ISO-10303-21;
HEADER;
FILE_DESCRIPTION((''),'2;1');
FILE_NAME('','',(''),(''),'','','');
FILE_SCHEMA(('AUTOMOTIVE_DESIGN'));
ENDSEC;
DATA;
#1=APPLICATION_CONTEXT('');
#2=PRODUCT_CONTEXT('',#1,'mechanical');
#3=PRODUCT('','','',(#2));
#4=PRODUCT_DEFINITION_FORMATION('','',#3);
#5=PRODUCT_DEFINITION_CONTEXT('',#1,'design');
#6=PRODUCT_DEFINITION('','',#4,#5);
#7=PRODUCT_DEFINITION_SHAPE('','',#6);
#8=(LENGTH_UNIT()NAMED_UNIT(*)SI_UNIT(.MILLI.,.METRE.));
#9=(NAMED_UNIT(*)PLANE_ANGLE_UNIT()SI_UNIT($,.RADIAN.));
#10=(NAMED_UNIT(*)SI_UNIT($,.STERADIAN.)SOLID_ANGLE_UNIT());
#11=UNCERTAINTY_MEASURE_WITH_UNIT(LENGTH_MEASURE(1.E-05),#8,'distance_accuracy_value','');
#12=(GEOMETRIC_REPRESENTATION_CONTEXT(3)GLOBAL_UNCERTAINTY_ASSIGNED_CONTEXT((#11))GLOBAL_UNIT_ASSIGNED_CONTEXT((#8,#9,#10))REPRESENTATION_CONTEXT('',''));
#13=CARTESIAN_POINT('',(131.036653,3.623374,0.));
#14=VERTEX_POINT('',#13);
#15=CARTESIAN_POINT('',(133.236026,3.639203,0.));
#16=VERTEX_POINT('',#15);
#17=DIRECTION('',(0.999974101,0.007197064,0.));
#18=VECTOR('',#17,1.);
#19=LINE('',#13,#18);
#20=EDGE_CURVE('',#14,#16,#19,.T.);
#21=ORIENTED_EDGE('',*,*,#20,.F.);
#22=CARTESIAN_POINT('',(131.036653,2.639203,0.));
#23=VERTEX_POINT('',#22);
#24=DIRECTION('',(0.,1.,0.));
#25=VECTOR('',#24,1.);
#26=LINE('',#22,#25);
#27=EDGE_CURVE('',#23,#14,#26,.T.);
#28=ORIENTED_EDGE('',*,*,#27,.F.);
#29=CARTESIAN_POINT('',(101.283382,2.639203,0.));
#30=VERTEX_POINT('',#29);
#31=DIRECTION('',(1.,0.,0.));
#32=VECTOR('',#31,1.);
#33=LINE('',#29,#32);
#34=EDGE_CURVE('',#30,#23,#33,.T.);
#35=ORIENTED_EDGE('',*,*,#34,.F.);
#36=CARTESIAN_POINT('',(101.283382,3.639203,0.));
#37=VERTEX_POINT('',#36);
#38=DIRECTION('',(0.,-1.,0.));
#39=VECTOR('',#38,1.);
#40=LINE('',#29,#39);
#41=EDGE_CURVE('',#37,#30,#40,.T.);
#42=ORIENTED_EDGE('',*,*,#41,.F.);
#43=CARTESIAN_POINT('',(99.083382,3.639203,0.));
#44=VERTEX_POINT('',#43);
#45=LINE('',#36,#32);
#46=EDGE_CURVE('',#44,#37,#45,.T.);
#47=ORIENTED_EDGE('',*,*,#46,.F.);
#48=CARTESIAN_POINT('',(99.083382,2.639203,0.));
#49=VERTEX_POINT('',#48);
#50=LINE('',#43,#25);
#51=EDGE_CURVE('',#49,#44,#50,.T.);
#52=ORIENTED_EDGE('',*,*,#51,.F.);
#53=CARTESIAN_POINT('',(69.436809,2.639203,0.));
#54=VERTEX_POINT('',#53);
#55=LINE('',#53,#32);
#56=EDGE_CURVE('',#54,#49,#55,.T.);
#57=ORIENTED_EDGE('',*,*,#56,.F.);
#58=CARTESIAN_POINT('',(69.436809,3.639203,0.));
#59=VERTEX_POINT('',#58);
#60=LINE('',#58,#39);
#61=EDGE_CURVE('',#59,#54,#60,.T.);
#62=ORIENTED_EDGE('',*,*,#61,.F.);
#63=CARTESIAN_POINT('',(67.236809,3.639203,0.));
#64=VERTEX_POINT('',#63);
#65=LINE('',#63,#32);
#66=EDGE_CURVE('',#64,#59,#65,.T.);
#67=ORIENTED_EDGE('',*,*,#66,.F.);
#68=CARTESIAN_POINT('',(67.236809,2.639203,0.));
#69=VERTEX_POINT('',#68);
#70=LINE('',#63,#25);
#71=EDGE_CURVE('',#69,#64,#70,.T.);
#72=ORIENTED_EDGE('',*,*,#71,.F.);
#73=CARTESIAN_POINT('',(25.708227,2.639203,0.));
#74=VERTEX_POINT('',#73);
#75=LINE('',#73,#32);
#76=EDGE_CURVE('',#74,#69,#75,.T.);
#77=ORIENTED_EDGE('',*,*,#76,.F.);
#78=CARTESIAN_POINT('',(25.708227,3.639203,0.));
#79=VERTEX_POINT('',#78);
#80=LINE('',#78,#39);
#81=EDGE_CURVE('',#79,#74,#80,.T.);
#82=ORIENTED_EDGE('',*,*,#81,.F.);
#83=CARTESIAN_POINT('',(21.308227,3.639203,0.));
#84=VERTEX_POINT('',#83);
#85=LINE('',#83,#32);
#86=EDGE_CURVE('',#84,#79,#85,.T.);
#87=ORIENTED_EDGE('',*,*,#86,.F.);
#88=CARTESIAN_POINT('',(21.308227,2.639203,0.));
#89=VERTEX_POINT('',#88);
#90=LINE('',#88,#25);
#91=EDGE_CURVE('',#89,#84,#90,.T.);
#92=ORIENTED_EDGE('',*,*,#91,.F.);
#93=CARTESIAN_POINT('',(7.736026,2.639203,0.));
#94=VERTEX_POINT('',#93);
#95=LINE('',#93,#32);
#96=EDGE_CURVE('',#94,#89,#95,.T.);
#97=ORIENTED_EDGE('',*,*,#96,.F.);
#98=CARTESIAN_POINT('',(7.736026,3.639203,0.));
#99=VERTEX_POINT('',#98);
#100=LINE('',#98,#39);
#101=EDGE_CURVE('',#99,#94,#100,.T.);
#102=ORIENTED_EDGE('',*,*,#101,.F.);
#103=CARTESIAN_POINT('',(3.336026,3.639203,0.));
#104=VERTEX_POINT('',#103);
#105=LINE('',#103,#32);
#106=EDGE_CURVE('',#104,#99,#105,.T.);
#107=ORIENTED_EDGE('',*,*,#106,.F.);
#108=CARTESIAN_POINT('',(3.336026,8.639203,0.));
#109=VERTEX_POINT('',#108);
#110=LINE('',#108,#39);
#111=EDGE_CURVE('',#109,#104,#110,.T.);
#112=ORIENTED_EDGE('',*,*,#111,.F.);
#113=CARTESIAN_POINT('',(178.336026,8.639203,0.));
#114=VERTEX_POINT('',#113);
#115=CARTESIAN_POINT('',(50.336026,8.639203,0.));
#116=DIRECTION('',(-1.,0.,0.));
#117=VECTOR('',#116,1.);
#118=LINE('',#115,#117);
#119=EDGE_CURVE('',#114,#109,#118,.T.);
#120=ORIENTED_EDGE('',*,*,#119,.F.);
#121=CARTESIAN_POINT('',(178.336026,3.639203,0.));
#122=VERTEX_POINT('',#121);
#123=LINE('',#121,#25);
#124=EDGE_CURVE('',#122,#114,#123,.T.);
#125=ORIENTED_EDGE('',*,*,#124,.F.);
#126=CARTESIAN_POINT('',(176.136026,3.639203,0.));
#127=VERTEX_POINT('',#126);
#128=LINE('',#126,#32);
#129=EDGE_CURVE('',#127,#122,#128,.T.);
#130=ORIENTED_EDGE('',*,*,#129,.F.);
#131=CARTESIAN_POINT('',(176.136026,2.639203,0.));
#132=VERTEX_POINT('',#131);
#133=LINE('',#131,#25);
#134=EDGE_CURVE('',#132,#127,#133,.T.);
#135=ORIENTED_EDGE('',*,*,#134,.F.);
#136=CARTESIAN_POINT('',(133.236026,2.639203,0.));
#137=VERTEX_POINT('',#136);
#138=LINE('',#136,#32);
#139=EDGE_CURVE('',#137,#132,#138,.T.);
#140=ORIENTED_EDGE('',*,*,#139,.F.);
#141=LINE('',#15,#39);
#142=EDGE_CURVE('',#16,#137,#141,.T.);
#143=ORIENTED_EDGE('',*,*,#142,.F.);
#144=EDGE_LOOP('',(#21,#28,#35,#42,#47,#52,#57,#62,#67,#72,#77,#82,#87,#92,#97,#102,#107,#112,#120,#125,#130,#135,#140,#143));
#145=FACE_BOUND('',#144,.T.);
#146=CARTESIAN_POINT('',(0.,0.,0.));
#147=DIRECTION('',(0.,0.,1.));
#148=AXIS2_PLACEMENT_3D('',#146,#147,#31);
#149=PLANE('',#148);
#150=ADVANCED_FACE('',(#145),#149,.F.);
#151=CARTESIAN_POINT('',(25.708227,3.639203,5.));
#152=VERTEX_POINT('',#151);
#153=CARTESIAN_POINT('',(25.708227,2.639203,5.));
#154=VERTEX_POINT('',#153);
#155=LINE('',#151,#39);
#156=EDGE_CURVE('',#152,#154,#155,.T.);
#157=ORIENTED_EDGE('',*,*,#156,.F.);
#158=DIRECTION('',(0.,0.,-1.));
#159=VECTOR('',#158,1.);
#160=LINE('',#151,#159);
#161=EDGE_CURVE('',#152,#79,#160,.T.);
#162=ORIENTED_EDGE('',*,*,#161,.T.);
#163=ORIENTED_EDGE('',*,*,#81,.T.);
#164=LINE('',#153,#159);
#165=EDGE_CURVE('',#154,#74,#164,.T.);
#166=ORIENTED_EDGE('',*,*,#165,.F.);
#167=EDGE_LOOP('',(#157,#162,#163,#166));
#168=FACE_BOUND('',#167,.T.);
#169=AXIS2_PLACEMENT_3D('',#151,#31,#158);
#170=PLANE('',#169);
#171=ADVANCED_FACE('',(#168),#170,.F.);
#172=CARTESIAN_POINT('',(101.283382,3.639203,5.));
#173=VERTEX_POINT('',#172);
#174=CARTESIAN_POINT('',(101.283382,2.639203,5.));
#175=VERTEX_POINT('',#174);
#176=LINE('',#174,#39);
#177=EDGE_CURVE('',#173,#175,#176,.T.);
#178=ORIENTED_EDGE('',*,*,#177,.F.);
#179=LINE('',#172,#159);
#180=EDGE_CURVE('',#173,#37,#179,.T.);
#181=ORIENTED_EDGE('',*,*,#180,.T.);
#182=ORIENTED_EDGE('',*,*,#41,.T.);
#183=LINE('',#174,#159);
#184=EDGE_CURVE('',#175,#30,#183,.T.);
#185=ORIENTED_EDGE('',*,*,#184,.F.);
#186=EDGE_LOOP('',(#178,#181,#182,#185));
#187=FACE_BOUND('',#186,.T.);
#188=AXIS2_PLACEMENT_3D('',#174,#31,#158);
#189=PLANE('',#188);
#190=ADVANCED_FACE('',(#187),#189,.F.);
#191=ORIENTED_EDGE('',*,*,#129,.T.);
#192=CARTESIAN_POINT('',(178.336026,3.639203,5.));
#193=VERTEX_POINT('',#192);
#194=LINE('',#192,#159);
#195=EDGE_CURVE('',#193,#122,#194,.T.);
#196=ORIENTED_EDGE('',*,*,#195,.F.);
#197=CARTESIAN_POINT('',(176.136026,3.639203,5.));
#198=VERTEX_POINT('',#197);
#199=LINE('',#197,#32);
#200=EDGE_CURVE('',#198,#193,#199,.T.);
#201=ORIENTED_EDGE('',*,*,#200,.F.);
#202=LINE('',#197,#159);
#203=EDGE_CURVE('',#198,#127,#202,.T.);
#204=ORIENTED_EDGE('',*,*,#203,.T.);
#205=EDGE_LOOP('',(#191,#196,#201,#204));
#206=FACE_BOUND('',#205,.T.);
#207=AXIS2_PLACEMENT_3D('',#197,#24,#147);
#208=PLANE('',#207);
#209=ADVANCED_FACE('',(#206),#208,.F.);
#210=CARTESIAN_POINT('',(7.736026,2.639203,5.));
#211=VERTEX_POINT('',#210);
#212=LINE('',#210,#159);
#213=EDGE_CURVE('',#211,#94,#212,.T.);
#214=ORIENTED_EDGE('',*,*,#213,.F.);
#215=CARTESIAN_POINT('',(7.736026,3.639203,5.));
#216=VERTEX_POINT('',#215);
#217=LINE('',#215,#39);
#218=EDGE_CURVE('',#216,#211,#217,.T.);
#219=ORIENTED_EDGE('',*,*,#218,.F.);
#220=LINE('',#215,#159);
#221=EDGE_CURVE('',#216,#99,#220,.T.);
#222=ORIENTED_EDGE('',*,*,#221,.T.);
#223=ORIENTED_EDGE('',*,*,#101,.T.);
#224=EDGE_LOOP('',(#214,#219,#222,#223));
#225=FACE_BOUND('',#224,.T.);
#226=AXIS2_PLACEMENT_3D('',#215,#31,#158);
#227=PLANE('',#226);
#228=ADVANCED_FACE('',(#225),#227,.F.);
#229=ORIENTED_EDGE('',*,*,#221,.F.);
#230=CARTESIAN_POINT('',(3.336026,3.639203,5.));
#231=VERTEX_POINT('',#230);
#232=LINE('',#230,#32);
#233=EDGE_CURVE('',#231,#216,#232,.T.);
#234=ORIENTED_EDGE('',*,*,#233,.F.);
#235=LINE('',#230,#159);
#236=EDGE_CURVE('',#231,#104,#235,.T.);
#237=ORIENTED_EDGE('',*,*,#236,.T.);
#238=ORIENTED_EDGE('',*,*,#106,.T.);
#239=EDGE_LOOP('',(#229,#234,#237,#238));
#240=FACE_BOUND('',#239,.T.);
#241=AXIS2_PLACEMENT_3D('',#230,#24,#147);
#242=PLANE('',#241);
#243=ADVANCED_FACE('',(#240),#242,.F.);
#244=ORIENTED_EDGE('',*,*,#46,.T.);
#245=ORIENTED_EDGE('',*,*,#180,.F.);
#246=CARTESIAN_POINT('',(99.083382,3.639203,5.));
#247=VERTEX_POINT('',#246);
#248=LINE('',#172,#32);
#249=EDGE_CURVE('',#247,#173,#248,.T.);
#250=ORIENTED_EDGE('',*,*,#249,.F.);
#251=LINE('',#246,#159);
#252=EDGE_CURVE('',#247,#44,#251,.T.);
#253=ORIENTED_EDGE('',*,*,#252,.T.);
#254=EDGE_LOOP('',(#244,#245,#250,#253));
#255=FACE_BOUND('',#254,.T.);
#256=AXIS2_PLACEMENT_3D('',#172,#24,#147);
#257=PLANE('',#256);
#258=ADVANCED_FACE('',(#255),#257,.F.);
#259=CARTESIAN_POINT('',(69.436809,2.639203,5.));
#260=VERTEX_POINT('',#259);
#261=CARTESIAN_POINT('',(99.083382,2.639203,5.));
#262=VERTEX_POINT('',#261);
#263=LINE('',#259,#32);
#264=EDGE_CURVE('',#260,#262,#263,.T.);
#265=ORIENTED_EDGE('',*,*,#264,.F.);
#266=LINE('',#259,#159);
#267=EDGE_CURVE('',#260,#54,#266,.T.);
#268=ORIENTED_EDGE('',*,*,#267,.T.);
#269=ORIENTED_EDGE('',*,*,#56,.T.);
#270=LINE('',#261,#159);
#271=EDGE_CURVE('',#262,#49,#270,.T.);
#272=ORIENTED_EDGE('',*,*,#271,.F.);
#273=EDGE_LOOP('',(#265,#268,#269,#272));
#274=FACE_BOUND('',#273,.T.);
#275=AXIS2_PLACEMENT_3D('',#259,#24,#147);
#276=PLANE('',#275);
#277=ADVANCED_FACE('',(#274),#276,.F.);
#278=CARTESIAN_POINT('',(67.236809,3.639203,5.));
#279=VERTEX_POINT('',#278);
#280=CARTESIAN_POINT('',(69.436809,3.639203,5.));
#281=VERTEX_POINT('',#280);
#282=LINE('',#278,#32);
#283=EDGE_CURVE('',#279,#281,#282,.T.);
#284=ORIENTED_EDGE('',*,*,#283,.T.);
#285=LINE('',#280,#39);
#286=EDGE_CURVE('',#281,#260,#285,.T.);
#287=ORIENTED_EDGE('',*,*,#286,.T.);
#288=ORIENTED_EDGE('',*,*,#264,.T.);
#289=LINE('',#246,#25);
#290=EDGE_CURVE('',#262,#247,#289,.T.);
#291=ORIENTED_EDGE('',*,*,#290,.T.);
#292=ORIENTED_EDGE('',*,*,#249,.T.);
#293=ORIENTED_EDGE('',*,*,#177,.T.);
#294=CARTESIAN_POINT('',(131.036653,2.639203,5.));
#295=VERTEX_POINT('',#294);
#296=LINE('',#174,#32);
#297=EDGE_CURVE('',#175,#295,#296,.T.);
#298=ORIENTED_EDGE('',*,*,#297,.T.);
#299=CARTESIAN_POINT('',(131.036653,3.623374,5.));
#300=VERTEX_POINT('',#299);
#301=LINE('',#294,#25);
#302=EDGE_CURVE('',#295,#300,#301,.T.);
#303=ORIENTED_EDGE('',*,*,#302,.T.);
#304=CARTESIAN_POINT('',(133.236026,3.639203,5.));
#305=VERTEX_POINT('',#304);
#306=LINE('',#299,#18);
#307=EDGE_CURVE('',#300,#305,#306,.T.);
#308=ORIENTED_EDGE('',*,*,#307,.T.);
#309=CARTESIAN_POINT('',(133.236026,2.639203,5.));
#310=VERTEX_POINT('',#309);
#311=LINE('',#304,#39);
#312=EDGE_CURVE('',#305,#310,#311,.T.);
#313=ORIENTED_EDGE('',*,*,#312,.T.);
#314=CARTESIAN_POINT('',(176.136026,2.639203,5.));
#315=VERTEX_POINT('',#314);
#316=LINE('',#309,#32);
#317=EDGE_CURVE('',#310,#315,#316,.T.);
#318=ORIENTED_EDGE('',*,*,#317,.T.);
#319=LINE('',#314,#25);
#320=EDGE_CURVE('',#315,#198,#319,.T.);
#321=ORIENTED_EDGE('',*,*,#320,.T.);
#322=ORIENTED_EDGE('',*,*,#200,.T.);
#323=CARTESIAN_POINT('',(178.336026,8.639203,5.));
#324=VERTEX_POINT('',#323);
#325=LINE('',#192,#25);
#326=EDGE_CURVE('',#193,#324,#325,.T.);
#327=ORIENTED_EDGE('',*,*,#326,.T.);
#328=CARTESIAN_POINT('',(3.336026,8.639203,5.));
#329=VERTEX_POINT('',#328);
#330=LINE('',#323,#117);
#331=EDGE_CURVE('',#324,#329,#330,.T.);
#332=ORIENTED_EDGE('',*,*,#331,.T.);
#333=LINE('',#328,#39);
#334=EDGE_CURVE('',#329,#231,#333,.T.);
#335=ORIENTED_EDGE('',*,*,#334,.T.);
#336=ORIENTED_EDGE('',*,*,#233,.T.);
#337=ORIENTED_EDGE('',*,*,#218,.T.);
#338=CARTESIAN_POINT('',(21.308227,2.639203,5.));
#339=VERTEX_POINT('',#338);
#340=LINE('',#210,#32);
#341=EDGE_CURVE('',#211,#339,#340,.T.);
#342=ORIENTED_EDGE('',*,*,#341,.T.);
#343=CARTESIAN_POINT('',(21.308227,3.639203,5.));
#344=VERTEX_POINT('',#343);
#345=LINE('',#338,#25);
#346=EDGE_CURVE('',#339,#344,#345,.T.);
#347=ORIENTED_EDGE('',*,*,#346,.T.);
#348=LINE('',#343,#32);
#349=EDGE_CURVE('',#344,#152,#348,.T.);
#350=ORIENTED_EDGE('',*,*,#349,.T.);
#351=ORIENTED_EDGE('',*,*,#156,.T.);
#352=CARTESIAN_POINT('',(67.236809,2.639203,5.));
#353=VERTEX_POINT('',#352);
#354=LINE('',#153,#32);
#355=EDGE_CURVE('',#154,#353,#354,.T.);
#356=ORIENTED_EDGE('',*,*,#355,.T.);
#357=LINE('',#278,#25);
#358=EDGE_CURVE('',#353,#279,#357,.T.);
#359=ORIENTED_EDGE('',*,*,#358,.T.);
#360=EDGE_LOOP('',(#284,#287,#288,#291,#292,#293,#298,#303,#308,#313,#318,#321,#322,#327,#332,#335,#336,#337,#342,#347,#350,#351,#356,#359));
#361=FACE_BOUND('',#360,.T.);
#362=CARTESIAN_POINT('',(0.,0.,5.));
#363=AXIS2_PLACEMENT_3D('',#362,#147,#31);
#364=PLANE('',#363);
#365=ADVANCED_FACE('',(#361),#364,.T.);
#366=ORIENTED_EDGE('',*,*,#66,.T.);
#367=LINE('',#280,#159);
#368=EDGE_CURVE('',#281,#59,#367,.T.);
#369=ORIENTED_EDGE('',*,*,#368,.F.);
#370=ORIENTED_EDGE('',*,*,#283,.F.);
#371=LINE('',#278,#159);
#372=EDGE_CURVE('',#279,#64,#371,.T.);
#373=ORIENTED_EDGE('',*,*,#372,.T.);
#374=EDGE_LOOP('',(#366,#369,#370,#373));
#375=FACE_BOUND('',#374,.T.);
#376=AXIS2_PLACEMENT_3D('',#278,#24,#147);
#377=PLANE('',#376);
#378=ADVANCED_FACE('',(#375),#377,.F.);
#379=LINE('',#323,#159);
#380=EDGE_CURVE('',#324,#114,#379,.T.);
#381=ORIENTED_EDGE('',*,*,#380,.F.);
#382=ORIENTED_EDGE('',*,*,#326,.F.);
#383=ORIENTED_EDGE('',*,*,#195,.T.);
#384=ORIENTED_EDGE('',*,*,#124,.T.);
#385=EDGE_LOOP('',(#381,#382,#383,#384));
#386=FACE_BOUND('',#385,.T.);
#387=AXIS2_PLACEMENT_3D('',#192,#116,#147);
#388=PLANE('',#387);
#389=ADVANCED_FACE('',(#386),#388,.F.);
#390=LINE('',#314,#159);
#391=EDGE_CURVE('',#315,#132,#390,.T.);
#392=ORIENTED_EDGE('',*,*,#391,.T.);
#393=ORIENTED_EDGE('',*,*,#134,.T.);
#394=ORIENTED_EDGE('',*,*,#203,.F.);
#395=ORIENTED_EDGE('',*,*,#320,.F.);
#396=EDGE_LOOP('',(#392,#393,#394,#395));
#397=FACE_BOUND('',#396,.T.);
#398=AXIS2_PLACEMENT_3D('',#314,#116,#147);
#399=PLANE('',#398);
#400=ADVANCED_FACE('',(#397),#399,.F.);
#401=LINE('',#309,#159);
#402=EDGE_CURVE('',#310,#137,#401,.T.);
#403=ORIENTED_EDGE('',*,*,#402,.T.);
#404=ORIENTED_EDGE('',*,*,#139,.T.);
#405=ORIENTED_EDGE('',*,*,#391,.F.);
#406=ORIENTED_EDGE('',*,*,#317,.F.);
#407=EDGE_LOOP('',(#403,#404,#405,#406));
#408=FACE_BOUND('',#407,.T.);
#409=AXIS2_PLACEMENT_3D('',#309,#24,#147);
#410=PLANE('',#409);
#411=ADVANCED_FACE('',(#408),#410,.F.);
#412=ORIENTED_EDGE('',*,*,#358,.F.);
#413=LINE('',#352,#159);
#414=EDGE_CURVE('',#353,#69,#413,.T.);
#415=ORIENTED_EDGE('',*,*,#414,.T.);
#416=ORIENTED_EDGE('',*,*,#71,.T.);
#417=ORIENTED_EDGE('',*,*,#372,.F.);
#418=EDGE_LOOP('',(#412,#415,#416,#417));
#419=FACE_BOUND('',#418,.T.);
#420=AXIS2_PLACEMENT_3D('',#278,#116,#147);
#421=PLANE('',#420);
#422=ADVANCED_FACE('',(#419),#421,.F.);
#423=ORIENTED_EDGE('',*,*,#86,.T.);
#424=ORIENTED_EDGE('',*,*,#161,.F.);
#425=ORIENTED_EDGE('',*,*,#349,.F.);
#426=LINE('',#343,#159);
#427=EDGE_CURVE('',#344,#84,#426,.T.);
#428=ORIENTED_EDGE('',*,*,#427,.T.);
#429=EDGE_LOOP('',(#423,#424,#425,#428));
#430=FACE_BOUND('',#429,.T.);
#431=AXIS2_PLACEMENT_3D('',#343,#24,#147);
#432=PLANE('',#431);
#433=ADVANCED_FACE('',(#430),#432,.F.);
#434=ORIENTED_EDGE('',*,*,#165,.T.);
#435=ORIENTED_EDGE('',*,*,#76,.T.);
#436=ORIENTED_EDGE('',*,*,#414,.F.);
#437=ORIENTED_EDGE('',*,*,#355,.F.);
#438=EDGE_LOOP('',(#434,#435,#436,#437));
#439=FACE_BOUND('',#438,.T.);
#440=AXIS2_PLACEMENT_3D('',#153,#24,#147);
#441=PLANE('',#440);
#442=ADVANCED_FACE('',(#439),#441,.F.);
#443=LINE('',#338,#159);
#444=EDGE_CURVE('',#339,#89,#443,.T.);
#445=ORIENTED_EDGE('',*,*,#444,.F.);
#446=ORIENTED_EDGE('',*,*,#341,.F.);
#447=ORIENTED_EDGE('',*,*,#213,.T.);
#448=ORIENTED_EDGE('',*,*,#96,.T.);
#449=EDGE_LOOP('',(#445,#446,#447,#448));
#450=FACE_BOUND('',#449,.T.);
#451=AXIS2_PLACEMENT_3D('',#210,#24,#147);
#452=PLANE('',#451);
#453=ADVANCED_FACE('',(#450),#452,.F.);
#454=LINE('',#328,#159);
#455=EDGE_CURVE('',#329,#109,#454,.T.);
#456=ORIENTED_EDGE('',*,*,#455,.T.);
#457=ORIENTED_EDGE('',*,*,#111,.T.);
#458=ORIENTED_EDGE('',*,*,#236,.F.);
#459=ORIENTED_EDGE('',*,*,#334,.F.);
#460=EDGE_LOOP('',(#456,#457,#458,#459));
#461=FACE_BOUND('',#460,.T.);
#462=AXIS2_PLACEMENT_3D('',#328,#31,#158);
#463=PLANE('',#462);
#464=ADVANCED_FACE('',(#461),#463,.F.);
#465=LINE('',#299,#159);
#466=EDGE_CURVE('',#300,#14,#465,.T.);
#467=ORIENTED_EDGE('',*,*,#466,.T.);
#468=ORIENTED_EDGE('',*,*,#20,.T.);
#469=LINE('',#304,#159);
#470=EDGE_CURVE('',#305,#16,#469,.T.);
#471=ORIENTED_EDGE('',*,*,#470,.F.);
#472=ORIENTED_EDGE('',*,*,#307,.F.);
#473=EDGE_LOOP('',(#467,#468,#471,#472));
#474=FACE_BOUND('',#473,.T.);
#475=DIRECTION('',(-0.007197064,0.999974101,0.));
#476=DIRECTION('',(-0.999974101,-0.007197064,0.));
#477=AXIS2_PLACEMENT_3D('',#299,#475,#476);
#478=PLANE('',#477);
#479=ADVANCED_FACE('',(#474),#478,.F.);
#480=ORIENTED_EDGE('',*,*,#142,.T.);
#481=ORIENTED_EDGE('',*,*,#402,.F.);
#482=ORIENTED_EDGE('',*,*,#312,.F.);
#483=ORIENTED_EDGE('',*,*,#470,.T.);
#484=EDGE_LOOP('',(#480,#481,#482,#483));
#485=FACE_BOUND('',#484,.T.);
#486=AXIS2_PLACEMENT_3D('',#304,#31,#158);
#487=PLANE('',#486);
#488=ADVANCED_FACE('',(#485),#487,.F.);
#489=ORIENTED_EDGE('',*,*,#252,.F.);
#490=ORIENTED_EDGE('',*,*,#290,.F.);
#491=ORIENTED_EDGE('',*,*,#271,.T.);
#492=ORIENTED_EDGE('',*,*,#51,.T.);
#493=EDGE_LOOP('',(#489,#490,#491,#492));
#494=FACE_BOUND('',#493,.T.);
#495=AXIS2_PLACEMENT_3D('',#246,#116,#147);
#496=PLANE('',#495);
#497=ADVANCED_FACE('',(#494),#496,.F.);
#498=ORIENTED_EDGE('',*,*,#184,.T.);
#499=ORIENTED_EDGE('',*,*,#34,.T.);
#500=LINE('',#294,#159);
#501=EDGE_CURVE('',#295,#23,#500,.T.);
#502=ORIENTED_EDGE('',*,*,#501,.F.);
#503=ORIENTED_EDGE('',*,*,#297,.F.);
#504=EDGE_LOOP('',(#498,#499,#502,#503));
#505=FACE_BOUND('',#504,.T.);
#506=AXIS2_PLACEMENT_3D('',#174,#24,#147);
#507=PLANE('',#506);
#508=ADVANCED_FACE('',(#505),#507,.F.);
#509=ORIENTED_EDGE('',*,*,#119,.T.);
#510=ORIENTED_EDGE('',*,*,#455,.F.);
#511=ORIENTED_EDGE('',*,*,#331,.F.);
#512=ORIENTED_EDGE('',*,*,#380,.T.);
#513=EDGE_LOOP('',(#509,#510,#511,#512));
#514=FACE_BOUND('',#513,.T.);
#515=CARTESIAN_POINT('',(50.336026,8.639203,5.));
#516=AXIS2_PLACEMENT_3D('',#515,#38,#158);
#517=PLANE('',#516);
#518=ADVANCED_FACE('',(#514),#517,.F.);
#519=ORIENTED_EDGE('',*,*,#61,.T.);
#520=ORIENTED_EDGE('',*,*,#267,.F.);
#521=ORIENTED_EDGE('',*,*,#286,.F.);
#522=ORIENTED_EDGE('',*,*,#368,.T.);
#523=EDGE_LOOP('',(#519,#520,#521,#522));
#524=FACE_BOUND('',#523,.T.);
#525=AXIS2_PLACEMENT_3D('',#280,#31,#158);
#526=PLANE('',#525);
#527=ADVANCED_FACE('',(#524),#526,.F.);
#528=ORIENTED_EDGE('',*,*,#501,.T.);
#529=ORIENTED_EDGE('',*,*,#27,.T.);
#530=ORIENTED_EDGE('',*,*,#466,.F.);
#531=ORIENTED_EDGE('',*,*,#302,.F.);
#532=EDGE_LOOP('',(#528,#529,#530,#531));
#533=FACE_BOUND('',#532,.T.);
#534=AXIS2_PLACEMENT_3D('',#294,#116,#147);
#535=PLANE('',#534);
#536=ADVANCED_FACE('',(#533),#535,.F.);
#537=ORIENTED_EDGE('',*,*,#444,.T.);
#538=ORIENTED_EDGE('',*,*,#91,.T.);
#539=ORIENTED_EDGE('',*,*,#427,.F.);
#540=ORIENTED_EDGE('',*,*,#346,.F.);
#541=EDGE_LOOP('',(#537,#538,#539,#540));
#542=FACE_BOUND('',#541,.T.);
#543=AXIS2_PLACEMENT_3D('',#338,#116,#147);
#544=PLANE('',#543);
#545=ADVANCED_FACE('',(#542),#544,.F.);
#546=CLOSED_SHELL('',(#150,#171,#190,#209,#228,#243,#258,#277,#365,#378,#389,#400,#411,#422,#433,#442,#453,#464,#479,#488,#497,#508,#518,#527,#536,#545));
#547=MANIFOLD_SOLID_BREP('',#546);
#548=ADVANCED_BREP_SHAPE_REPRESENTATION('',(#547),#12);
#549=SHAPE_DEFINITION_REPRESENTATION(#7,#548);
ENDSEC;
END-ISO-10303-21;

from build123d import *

# Parameters (mm, degrees)
EXTRUDE_1_DEPTH = 5


with BuildPart() as part:
    # Model → 凸台-拉伸1 (new body)
    with BuildSketch(Plane.XY):
        Polygon((67.236808621, 3.639203016), (69.436808621, 3.639203016), (69.436808621, 2.639203016), (99.083381953, 2.639203016), (99.083381953, 3.639203016), (101.283381953, 3.639203016), (101.283381953, 2.639203016), (131.03665326, 2.639203016), (131.03665326, 3.62337358), (133.236025848, 3.639203016), (133.236025848, 2.639203016), (176.136025848, 2.639203016), (176.136025848, 3.639203016), (178.336025848, 3.639203016), (178.336025848, 8.639203016), (50.336025848, 8.639203016), (3.336025848, 8.639203016), (3.336025848, 3.639203016), (7.736025848, 3.639203016), (7.736025848, 2.639203016), (21.308226604, 2.639203016), (21.308226604, 3.639203016), (25.708226604, 3.639203016), (25.708226604, 2.639203016), (67.236808621, 2.639203016), align=None)
    extrude(amount=EXTRUDE_1_DEPTH)


solid = part.part
